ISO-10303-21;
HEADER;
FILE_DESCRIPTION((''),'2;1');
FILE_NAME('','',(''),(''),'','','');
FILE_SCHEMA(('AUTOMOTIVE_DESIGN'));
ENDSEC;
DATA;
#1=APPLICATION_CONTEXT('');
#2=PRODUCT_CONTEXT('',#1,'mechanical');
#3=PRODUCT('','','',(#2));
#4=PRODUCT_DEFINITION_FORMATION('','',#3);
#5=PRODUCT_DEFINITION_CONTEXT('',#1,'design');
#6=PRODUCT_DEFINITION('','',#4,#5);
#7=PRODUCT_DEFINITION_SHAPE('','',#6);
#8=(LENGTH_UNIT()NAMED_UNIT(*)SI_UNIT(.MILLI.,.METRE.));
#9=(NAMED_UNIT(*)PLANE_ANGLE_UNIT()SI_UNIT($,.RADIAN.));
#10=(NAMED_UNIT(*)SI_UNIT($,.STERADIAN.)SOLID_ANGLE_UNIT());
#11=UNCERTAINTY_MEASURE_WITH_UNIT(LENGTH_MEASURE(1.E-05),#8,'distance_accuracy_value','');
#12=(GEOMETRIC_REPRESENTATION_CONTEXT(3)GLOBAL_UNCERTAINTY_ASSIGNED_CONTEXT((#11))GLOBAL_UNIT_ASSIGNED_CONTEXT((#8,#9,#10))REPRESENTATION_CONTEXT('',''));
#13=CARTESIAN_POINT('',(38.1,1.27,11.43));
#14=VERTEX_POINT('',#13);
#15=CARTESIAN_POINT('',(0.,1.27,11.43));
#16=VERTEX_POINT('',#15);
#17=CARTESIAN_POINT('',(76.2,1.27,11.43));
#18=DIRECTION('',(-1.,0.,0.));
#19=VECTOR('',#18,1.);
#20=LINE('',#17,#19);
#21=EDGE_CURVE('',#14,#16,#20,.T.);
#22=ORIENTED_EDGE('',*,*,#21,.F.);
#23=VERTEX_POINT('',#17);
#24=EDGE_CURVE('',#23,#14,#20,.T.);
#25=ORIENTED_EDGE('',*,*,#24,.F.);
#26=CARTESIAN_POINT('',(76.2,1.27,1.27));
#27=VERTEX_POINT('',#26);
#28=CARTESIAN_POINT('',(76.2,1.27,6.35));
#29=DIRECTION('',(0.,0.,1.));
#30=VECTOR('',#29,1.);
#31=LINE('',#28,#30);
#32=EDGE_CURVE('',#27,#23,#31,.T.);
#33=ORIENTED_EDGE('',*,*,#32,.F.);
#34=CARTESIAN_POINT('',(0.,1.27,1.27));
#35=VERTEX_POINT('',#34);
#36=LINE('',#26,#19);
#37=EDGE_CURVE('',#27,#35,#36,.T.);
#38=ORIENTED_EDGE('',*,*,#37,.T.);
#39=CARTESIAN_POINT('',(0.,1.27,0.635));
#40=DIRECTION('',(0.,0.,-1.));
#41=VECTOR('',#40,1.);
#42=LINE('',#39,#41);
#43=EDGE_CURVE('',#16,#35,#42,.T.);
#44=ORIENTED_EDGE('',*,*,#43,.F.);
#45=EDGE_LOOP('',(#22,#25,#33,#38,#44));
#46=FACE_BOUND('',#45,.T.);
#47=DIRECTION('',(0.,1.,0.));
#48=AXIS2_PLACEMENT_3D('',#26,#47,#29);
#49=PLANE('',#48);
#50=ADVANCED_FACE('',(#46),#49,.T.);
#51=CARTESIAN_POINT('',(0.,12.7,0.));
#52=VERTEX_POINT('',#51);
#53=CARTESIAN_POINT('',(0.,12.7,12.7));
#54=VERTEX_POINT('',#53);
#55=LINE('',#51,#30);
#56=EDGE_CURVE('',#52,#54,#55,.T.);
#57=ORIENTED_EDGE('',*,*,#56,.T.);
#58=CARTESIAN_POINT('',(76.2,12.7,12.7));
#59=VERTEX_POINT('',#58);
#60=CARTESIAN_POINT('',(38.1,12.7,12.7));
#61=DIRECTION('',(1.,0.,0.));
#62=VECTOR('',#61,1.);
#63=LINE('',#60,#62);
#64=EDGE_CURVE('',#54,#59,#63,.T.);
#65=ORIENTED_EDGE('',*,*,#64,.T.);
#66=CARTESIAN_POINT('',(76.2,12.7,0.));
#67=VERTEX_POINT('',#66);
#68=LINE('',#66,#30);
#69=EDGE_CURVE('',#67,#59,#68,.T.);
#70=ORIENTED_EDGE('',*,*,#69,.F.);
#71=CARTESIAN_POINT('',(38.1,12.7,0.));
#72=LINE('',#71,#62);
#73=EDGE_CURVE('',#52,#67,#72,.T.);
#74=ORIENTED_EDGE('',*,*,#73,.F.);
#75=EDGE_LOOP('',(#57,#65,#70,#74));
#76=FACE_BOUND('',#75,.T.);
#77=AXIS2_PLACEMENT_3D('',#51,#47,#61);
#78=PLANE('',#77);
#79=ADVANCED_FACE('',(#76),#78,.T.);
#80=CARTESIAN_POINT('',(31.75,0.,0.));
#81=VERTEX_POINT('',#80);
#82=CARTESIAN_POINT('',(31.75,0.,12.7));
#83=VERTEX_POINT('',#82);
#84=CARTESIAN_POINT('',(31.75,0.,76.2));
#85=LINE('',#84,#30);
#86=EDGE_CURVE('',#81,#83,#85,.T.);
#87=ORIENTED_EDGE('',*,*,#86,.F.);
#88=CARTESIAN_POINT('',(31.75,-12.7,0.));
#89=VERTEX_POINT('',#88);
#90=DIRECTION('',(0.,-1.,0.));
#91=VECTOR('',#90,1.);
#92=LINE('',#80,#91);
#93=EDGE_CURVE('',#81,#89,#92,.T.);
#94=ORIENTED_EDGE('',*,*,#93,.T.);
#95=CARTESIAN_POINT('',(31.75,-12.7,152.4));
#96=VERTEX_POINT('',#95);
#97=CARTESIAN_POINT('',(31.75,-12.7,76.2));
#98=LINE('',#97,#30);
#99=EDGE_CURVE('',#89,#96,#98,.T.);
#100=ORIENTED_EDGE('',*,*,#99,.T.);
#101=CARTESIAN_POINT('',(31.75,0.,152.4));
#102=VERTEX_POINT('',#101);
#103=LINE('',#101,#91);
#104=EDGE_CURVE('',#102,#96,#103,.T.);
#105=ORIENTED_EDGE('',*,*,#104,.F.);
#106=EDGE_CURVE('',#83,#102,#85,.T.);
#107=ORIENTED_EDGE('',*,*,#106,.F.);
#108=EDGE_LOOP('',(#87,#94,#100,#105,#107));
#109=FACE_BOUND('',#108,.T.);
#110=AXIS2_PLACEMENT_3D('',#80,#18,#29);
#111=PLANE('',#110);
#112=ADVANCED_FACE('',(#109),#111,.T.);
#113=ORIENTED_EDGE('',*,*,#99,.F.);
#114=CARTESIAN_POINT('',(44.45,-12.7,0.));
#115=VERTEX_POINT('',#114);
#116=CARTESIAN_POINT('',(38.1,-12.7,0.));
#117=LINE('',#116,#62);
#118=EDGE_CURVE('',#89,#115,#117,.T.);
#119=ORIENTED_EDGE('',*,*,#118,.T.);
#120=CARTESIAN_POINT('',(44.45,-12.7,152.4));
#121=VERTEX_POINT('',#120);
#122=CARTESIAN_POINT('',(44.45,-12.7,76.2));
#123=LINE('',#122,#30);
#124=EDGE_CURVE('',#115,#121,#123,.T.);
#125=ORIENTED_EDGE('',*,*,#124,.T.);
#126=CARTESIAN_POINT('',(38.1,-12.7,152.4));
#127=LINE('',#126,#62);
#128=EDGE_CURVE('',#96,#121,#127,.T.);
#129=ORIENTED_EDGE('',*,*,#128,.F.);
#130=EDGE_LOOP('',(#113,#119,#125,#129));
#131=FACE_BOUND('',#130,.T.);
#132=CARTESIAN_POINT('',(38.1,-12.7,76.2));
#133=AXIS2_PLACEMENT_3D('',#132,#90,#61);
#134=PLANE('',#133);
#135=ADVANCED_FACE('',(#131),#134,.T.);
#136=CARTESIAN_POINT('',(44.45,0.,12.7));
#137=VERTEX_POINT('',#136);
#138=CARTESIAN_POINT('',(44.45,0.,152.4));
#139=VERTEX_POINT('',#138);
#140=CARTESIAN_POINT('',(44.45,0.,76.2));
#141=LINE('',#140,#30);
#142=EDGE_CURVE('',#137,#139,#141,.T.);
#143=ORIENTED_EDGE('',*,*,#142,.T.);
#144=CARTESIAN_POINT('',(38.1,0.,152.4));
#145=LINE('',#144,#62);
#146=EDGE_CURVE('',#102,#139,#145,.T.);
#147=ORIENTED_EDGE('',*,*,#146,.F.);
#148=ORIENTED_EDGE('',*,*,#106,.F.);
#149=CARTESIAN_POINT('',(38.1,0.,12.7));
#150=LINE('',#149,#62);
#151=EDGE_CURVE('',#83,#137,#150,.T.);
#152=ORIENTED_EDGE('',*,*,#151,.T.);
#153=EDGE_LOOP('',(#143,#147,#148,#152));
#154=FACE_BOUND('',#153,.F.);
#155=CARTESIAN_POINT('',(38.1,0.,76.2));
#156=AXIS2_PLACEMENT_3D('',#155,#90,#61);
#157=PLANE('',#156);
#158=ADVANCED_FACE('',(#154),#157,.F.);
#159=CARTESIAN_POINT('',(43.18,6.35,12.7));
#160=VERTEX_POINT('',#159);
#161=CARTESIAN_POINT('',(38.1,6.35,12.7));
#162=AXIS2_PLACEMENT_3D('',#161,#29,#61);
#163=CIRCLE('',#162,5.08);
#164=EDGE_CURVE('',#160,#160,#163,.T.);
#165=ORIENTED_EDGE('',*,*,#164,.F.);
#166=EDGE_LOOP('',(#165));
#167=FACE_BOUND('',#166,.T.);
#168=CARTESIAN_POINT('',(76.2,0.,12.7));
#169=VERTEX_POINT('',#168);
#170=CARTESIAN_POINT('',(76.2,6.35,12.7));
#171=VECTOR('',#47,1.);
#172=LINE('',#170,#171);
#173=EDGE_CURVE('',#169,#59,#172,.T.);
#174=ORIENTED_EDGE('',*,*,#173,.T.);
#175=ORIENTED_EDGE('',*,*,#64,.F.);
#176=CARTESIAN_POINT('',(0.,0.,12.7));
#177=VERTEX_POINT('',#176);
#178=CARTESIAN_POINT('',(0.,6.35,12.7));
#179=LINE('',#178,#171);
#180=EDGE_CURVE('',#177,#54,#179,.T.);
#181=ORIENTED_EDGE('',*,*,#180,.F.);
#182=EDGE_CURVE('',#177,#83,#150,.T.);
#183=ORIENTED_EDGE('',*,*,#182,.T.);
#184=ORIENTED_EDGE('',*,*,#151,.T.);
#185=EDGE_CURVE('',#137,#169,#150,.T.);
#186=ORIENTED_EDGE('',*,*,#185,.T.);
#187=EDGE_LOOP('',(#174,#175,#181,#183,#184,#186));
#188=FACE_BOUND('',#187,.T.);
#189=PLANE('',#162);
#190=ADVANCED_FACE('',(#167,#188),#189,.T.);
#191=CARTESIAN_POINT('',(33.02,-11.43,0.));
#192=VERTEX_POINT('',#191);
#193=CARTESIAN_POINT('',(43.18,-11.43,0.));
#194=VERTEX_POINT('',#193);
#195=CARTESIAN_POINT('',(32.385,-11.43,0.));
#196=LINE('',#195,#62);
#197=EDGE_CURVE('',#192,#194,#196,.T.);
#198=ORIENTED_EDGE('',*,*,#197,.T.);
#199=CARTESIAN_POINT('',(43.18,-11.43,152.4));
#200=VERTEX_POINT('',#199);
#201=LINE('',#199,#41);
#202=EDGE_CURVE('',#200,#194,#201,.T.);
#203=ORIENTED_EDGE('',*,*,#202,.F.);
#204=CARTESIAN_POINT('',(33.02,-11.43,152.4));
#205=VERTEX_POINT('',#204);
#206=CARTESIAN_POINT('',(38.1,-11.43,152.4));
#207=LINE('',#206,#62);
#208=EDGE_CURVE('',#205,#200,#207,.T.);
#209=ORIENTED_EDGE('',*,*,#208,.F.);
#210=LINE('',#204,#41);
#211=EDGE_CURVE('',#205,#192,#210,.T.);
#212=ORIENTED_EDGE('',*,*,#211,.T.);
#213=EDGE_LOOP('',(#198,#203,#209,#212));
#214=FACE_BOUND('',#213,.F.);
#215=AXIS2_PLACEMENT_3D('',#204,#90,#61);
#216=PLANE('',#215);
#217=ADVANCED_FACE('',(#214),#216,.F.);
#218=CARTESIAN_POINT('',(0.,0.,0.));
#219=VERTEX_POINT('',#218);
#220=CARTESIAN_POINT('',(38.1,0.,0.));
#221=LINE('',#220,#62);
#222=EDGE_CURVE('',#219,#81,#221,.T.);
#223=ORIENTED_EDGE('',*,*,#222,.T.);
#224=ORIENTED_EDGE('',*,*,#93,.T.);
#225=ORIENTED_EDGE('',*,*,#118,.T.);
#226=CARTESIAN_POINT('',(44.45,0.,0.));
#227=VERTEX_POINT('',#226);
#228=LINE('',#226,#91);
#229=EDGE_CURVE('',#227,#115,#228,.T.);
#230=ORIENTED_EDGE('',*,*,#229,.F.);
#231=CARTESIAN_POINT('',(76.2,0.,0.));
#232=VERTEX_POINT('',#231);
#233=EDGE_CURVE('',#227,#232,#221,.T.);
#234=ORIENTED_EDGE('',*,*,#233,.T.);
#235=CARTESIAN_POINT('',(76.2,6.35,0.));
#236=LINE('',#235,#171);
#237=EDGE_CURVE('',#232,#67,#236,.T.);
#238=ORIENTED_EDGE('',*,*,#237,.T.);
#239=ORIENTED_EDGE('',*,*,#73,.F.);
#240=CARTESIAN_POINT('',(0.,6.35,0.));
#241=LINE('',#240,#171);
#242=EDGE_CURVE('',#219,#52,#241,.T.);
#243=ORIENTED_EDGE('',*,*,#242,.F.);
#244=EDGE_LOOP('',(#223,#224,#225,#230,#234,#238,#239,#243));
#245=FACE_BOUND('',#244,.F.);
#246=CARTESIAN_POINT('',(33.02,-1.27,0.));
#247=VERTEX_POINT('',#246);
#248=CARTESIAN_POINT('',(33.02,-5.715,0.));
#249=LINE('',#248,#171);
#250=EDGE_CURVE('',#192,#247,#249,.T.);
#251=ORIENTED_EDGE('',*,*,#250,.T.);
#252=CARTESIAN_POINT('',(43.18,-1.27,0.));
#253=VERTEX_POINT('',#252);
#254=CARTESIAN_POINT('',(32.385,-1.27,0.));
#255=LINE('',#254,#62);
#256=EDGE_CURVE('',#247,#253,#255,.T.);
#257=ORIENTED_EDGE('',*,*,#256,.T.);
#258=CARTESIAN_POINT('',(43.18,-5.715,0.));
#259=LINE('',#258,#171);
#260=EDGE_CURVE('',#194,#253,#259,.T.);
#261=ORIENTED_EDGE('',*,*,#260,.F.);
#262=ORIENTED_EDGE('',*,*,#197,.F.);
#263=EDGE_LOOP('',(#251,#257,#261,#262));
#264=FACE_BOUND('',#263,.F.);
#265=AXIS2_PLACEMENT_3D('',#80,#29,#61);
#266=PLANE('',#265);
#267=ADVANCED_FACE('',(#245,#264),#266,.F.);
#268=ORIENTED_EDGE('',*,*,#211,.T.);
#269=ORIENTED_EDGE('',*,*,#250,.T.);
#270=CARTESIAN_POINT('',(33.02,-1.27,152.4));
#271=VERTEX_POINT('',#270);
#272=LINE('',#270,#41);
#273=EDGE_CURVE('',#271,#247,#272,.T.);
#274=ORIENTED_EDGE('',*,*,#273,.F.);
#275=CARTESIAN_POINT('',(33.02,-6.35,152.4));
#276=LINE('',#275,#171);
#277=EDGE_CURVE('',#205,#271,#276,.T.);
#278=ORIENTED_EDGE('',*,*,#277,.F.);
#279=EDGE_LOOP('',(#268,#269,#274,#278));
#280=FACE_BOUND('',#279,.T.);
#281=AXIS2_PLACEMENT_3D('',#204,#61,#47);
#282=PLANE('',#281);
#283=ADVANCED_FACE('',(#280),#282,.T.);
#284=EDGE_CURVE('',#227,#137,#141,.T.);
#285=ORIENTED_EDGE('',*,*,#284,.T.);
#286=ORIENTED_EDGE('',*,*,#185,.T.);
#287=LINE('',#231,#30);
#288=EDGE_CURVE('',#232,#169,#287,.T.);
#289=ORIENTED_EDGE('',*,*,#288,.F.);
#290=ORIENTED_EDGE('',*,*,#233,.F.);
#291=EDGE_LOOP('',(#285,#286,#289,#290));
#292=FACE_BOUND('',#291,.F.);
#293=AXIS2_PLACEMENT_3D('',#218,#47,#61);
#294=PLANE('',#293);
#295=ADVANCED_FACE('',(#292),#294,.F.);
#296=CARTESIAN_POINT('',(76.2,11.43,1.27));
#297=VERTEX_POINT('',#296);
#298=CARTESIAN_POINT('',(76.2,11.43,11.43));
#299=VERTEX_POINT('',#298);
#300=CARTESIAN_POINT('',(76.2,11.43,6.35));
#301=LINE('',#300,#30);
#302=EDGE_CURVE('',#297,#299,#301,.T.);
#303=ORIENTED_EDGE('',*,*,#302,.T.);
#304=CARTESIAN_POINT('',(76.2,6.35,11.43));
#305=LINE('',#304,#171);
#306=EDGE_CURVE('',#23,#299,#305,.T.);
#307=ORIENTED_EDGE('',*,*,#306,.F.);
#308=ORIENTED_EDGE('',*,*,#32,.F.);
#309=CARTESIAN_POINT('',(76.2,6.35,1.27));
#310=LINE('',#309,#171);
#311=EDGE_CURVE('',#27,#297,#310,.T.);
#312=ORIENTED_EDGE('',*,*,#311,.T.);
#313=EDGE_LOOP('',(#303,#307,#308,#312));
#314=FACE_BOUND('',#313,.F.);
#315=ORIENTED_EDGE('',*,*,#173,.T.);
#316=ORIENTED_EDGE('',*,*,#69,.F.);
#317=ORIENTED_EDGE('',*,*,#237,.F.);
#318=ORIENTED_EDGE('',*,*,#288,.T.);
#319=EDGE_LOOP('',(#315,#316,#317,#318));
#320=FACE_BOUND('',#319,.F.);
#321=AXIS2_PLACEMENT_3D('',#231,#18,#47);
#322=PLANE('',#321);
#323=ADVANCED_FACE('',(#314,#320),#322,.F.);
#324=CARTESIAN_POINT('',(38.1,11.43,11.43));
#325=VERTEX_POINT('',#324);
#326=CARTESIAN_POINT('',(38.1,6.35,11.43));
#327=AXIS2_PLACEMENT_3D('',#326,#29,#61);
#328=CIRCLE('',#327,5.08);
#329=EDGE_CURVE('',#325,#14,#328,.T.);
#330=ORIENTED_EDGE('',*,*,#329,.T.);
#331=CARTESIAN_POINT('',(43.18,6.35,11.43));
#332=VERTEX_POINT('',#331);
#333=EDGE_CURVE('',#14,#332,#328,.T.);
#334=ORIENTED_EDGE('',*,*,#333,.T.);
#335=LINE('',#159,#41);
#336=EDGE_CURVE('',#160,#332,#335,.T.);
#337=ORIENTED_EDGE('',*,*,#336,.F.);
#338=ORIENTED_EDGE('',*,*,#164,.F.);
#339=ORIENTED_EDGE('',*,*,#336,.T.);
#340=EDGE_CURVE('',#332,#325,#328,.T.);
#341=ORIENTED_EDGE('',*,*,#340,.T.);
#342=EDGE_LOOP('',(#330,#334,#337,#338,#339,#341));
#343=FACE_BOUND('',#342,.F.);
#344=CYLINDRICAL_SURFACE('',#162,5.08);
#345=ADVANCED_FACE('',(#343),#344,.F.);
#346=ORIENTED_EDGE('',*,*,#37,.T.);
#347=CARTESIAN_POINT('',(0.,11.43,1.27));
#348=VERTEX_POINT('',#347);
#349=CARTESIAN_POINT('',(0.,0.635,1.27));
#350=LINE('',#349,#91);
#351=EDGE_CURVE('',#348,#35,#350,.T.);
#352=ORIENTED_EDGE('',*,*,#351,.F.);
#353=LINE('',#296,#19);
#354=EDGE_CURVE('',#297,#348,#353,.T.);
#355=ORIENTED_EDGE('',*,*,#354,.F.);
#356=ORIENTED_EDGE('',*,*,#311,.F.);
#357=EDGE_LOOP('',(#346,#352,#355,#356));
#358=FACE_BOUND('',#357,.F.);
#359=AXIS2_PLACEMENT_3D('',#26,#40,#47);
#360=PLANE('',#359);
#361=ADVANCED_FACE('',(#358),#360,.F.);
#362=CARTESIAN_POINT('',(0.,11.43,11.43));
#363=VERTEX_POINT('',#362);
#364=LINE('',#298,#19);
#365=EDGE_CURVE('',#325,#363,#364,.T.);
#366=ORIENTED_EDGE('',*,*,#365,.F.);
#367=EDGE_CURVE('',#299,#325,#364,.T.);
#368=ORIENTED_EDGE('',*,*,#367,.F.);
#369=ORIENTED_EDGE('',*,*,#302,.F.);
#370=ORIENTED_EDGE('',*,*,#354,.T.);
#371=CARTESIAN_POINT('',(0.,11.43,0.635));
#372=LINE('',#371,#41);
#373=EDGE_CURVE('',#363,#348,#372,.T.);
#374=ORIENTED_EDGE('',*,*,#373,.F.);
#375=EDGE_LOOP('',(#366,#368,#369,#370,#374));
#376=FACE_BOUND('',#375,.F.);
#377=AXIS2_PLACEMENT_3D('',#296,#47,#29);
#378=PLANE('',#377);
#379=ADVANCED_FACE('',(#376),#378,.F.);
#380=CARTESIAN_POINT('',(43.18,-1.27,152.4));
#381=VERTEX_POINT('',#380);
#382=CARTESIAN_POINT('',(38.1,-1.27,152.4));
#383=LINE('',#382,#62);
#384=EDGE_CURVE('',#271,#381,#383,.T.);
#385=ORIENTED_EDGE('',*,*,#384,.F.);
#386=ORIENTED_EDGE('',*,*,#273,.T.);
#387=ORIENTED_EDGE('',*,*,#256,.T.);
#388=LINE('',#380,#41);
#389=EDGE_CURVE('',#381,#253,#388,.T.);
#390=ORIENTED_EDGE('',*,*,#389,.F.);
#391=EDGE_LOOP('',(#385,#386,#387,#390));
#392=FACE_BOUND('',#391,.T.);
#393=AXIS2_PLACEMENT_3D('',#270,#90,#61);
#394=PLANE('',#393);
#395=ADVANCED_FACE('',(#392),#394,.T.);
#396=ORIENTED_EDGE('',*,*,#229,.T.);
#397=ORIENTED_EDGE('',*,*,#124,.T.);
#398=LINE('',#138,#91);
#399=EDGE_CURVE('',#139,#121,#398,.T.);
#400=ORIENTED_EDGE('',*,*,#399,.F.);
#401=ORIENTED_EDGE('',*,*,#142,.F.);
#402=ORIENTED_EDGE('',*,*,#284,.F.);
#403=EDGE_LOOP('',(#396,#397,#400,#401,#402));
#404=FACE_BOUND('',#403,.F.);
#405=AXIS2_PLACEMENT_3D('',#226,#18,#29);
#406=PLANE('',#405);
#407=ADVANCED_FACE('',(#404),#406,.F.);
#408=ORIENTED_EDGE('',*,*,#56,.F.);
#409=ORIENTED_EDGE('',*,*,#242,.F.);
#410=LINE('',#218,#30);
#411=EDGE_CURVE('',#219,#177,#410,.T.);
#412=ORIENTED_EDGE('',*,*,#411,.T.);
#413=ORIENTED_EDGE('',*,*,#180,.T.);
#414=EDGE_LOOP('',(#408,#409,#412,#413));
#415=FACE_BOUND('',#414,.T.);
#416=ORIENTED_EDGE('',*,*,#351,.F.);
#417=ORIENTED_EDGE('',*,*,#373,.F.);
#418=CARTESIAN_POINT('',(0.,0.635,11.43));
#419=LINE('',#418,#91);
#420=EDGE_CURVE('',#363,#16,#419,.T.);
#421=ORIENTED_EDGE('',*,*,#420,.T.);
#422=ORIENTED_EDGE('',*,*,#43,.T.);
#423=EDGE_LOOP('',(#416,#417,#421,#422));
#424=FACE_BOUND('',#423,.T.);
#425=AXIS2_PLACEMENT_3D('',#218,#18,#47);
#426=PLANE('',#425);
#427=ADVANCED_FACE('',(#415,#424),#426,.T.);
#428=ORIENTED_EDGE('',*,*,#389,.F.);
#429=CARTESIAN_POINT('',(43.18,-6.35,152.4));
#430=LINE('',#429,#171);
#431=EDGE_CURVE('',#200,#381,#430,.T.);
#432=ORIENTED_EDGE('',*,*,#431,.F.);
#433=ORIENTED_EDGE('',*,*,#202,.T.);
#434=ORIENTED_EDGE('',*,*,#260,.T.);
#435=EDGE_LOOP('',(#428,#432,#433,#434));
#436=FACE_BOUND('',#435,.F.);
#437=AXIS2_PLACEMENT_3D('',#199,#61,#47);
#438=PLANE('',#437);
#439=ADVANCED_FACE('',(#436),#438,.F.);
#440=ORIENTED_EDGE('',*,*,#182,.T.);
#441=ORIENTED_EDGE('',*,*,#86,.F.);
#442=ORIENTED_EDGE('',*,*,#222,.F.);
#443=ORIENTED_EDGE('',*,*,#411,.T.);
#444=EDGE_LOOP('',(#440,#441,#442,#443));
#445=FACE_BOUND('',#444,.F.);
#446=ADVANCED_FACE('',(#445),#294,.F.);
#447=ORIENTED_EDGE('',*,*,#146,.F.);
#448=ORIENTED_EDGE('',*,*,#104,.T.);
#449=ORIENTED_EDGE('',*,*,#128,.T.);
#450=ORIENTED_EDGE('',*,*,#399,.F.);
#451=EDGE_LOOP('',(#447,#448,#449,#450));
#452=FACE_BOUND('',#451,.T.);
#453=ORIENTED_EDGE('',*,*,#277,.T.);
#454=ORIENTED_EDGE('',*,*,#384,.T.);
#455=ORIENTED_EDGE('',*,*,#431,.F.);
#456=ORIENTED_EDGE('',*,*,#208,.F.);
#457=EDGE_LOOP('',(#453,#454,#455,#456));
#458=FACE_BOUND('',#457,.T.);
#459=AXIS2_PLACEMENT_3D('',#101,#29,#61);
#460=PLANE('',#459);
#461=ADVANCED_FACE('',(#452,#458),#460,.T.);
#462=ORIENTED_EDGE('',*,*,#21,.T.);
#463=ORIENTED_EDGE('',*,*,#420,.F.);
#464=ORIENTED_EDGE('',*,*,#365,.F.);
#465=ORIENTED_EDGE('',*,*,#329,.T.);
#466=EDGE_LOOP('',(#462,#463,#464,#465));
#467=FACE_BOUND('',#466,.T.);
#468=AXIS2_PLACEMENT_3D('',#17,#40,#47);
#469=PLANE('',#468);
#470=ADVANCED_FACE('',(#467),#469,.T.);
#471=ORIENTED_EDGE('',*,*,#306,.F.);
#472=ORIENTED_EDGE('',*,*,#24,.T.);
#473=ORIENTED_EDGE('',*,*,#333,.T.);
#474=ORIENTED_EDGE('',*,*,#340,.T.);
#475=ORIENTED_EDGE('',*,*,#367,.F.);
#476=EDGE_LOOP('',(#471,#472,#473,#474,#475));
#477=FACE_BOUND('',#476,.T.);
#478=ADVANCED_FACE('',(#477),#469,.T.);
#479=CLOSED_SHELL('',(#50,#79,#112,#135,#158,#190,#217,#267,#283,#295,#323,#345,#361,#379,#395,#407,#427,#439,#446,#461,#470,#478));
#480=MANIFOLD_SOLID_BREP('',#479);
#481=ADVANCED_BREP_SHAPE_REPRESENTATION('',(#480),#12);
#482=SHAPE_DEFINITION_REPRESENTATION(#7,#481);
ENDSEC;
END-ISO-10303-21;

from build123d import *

# Parameters (mm, degrees)
F0_W     = 76.2
F0_H     = 12.7
F1_DEPTH = 12.7
F2_W     = 10.16
F2_H     = 10.16
F3_DEPTH = 76.201
F4_R     = 5.08
F5_DEPTH = 1.27
F6_W     = 12.7
F6_H     = 152.4
F7_DEPTH = 12.7
F8_W     = 10.16
F8_H     = 10.16
F9_DEPTH = 152.401


with BuildPart() as f1:
    # F0 (on Top) → F1 (new body)
    with BuildSketch(Plane.XY):
        with Locations((38.1, 6.35)):
            Rectangle(F0_W, F0_H)
    extrude(amount=F1_DEPTH)

    # F2 (on face) → F3 (cut, through all)
    with BuildSketch(Plane.YZ.offset(76.2)):
        with Locations((6.35, 6.35)):
            Rectangle(F2_W, F2_H)
    extrude(amount=-F3_DEPTH, mode=Mode.SUBTRACT)

    # F4 (on face) → F5 (cut, through all)
    with BuildSketch(Plane.XY.offset(12.7)):
        with Locations((38.1, 6.35)):
            Circle(F4_R)
    extrude(amount=-F5_DEPTH, mode=Mode.SUBTRACT)

    # F6 (on face) → F7 (join)
    with BuildSketch(Plane.XZ):
        with Locations((38.1, 76.2)):
            Rectangle(F6_W, F6_H)
    extrude(amount=F7_DEPTH)

    # F8 (on face) → F9 (cut, through all)
    with BuildSketch(Plane.XY.offset(152.4)):
        with Locations((38.1, -6.35)):
            Rectangle(F8_W, F8_H)
    extrude(amount=-F9_DEPTH, mode=Mode.SUBTRACT)


solid = f1.part
